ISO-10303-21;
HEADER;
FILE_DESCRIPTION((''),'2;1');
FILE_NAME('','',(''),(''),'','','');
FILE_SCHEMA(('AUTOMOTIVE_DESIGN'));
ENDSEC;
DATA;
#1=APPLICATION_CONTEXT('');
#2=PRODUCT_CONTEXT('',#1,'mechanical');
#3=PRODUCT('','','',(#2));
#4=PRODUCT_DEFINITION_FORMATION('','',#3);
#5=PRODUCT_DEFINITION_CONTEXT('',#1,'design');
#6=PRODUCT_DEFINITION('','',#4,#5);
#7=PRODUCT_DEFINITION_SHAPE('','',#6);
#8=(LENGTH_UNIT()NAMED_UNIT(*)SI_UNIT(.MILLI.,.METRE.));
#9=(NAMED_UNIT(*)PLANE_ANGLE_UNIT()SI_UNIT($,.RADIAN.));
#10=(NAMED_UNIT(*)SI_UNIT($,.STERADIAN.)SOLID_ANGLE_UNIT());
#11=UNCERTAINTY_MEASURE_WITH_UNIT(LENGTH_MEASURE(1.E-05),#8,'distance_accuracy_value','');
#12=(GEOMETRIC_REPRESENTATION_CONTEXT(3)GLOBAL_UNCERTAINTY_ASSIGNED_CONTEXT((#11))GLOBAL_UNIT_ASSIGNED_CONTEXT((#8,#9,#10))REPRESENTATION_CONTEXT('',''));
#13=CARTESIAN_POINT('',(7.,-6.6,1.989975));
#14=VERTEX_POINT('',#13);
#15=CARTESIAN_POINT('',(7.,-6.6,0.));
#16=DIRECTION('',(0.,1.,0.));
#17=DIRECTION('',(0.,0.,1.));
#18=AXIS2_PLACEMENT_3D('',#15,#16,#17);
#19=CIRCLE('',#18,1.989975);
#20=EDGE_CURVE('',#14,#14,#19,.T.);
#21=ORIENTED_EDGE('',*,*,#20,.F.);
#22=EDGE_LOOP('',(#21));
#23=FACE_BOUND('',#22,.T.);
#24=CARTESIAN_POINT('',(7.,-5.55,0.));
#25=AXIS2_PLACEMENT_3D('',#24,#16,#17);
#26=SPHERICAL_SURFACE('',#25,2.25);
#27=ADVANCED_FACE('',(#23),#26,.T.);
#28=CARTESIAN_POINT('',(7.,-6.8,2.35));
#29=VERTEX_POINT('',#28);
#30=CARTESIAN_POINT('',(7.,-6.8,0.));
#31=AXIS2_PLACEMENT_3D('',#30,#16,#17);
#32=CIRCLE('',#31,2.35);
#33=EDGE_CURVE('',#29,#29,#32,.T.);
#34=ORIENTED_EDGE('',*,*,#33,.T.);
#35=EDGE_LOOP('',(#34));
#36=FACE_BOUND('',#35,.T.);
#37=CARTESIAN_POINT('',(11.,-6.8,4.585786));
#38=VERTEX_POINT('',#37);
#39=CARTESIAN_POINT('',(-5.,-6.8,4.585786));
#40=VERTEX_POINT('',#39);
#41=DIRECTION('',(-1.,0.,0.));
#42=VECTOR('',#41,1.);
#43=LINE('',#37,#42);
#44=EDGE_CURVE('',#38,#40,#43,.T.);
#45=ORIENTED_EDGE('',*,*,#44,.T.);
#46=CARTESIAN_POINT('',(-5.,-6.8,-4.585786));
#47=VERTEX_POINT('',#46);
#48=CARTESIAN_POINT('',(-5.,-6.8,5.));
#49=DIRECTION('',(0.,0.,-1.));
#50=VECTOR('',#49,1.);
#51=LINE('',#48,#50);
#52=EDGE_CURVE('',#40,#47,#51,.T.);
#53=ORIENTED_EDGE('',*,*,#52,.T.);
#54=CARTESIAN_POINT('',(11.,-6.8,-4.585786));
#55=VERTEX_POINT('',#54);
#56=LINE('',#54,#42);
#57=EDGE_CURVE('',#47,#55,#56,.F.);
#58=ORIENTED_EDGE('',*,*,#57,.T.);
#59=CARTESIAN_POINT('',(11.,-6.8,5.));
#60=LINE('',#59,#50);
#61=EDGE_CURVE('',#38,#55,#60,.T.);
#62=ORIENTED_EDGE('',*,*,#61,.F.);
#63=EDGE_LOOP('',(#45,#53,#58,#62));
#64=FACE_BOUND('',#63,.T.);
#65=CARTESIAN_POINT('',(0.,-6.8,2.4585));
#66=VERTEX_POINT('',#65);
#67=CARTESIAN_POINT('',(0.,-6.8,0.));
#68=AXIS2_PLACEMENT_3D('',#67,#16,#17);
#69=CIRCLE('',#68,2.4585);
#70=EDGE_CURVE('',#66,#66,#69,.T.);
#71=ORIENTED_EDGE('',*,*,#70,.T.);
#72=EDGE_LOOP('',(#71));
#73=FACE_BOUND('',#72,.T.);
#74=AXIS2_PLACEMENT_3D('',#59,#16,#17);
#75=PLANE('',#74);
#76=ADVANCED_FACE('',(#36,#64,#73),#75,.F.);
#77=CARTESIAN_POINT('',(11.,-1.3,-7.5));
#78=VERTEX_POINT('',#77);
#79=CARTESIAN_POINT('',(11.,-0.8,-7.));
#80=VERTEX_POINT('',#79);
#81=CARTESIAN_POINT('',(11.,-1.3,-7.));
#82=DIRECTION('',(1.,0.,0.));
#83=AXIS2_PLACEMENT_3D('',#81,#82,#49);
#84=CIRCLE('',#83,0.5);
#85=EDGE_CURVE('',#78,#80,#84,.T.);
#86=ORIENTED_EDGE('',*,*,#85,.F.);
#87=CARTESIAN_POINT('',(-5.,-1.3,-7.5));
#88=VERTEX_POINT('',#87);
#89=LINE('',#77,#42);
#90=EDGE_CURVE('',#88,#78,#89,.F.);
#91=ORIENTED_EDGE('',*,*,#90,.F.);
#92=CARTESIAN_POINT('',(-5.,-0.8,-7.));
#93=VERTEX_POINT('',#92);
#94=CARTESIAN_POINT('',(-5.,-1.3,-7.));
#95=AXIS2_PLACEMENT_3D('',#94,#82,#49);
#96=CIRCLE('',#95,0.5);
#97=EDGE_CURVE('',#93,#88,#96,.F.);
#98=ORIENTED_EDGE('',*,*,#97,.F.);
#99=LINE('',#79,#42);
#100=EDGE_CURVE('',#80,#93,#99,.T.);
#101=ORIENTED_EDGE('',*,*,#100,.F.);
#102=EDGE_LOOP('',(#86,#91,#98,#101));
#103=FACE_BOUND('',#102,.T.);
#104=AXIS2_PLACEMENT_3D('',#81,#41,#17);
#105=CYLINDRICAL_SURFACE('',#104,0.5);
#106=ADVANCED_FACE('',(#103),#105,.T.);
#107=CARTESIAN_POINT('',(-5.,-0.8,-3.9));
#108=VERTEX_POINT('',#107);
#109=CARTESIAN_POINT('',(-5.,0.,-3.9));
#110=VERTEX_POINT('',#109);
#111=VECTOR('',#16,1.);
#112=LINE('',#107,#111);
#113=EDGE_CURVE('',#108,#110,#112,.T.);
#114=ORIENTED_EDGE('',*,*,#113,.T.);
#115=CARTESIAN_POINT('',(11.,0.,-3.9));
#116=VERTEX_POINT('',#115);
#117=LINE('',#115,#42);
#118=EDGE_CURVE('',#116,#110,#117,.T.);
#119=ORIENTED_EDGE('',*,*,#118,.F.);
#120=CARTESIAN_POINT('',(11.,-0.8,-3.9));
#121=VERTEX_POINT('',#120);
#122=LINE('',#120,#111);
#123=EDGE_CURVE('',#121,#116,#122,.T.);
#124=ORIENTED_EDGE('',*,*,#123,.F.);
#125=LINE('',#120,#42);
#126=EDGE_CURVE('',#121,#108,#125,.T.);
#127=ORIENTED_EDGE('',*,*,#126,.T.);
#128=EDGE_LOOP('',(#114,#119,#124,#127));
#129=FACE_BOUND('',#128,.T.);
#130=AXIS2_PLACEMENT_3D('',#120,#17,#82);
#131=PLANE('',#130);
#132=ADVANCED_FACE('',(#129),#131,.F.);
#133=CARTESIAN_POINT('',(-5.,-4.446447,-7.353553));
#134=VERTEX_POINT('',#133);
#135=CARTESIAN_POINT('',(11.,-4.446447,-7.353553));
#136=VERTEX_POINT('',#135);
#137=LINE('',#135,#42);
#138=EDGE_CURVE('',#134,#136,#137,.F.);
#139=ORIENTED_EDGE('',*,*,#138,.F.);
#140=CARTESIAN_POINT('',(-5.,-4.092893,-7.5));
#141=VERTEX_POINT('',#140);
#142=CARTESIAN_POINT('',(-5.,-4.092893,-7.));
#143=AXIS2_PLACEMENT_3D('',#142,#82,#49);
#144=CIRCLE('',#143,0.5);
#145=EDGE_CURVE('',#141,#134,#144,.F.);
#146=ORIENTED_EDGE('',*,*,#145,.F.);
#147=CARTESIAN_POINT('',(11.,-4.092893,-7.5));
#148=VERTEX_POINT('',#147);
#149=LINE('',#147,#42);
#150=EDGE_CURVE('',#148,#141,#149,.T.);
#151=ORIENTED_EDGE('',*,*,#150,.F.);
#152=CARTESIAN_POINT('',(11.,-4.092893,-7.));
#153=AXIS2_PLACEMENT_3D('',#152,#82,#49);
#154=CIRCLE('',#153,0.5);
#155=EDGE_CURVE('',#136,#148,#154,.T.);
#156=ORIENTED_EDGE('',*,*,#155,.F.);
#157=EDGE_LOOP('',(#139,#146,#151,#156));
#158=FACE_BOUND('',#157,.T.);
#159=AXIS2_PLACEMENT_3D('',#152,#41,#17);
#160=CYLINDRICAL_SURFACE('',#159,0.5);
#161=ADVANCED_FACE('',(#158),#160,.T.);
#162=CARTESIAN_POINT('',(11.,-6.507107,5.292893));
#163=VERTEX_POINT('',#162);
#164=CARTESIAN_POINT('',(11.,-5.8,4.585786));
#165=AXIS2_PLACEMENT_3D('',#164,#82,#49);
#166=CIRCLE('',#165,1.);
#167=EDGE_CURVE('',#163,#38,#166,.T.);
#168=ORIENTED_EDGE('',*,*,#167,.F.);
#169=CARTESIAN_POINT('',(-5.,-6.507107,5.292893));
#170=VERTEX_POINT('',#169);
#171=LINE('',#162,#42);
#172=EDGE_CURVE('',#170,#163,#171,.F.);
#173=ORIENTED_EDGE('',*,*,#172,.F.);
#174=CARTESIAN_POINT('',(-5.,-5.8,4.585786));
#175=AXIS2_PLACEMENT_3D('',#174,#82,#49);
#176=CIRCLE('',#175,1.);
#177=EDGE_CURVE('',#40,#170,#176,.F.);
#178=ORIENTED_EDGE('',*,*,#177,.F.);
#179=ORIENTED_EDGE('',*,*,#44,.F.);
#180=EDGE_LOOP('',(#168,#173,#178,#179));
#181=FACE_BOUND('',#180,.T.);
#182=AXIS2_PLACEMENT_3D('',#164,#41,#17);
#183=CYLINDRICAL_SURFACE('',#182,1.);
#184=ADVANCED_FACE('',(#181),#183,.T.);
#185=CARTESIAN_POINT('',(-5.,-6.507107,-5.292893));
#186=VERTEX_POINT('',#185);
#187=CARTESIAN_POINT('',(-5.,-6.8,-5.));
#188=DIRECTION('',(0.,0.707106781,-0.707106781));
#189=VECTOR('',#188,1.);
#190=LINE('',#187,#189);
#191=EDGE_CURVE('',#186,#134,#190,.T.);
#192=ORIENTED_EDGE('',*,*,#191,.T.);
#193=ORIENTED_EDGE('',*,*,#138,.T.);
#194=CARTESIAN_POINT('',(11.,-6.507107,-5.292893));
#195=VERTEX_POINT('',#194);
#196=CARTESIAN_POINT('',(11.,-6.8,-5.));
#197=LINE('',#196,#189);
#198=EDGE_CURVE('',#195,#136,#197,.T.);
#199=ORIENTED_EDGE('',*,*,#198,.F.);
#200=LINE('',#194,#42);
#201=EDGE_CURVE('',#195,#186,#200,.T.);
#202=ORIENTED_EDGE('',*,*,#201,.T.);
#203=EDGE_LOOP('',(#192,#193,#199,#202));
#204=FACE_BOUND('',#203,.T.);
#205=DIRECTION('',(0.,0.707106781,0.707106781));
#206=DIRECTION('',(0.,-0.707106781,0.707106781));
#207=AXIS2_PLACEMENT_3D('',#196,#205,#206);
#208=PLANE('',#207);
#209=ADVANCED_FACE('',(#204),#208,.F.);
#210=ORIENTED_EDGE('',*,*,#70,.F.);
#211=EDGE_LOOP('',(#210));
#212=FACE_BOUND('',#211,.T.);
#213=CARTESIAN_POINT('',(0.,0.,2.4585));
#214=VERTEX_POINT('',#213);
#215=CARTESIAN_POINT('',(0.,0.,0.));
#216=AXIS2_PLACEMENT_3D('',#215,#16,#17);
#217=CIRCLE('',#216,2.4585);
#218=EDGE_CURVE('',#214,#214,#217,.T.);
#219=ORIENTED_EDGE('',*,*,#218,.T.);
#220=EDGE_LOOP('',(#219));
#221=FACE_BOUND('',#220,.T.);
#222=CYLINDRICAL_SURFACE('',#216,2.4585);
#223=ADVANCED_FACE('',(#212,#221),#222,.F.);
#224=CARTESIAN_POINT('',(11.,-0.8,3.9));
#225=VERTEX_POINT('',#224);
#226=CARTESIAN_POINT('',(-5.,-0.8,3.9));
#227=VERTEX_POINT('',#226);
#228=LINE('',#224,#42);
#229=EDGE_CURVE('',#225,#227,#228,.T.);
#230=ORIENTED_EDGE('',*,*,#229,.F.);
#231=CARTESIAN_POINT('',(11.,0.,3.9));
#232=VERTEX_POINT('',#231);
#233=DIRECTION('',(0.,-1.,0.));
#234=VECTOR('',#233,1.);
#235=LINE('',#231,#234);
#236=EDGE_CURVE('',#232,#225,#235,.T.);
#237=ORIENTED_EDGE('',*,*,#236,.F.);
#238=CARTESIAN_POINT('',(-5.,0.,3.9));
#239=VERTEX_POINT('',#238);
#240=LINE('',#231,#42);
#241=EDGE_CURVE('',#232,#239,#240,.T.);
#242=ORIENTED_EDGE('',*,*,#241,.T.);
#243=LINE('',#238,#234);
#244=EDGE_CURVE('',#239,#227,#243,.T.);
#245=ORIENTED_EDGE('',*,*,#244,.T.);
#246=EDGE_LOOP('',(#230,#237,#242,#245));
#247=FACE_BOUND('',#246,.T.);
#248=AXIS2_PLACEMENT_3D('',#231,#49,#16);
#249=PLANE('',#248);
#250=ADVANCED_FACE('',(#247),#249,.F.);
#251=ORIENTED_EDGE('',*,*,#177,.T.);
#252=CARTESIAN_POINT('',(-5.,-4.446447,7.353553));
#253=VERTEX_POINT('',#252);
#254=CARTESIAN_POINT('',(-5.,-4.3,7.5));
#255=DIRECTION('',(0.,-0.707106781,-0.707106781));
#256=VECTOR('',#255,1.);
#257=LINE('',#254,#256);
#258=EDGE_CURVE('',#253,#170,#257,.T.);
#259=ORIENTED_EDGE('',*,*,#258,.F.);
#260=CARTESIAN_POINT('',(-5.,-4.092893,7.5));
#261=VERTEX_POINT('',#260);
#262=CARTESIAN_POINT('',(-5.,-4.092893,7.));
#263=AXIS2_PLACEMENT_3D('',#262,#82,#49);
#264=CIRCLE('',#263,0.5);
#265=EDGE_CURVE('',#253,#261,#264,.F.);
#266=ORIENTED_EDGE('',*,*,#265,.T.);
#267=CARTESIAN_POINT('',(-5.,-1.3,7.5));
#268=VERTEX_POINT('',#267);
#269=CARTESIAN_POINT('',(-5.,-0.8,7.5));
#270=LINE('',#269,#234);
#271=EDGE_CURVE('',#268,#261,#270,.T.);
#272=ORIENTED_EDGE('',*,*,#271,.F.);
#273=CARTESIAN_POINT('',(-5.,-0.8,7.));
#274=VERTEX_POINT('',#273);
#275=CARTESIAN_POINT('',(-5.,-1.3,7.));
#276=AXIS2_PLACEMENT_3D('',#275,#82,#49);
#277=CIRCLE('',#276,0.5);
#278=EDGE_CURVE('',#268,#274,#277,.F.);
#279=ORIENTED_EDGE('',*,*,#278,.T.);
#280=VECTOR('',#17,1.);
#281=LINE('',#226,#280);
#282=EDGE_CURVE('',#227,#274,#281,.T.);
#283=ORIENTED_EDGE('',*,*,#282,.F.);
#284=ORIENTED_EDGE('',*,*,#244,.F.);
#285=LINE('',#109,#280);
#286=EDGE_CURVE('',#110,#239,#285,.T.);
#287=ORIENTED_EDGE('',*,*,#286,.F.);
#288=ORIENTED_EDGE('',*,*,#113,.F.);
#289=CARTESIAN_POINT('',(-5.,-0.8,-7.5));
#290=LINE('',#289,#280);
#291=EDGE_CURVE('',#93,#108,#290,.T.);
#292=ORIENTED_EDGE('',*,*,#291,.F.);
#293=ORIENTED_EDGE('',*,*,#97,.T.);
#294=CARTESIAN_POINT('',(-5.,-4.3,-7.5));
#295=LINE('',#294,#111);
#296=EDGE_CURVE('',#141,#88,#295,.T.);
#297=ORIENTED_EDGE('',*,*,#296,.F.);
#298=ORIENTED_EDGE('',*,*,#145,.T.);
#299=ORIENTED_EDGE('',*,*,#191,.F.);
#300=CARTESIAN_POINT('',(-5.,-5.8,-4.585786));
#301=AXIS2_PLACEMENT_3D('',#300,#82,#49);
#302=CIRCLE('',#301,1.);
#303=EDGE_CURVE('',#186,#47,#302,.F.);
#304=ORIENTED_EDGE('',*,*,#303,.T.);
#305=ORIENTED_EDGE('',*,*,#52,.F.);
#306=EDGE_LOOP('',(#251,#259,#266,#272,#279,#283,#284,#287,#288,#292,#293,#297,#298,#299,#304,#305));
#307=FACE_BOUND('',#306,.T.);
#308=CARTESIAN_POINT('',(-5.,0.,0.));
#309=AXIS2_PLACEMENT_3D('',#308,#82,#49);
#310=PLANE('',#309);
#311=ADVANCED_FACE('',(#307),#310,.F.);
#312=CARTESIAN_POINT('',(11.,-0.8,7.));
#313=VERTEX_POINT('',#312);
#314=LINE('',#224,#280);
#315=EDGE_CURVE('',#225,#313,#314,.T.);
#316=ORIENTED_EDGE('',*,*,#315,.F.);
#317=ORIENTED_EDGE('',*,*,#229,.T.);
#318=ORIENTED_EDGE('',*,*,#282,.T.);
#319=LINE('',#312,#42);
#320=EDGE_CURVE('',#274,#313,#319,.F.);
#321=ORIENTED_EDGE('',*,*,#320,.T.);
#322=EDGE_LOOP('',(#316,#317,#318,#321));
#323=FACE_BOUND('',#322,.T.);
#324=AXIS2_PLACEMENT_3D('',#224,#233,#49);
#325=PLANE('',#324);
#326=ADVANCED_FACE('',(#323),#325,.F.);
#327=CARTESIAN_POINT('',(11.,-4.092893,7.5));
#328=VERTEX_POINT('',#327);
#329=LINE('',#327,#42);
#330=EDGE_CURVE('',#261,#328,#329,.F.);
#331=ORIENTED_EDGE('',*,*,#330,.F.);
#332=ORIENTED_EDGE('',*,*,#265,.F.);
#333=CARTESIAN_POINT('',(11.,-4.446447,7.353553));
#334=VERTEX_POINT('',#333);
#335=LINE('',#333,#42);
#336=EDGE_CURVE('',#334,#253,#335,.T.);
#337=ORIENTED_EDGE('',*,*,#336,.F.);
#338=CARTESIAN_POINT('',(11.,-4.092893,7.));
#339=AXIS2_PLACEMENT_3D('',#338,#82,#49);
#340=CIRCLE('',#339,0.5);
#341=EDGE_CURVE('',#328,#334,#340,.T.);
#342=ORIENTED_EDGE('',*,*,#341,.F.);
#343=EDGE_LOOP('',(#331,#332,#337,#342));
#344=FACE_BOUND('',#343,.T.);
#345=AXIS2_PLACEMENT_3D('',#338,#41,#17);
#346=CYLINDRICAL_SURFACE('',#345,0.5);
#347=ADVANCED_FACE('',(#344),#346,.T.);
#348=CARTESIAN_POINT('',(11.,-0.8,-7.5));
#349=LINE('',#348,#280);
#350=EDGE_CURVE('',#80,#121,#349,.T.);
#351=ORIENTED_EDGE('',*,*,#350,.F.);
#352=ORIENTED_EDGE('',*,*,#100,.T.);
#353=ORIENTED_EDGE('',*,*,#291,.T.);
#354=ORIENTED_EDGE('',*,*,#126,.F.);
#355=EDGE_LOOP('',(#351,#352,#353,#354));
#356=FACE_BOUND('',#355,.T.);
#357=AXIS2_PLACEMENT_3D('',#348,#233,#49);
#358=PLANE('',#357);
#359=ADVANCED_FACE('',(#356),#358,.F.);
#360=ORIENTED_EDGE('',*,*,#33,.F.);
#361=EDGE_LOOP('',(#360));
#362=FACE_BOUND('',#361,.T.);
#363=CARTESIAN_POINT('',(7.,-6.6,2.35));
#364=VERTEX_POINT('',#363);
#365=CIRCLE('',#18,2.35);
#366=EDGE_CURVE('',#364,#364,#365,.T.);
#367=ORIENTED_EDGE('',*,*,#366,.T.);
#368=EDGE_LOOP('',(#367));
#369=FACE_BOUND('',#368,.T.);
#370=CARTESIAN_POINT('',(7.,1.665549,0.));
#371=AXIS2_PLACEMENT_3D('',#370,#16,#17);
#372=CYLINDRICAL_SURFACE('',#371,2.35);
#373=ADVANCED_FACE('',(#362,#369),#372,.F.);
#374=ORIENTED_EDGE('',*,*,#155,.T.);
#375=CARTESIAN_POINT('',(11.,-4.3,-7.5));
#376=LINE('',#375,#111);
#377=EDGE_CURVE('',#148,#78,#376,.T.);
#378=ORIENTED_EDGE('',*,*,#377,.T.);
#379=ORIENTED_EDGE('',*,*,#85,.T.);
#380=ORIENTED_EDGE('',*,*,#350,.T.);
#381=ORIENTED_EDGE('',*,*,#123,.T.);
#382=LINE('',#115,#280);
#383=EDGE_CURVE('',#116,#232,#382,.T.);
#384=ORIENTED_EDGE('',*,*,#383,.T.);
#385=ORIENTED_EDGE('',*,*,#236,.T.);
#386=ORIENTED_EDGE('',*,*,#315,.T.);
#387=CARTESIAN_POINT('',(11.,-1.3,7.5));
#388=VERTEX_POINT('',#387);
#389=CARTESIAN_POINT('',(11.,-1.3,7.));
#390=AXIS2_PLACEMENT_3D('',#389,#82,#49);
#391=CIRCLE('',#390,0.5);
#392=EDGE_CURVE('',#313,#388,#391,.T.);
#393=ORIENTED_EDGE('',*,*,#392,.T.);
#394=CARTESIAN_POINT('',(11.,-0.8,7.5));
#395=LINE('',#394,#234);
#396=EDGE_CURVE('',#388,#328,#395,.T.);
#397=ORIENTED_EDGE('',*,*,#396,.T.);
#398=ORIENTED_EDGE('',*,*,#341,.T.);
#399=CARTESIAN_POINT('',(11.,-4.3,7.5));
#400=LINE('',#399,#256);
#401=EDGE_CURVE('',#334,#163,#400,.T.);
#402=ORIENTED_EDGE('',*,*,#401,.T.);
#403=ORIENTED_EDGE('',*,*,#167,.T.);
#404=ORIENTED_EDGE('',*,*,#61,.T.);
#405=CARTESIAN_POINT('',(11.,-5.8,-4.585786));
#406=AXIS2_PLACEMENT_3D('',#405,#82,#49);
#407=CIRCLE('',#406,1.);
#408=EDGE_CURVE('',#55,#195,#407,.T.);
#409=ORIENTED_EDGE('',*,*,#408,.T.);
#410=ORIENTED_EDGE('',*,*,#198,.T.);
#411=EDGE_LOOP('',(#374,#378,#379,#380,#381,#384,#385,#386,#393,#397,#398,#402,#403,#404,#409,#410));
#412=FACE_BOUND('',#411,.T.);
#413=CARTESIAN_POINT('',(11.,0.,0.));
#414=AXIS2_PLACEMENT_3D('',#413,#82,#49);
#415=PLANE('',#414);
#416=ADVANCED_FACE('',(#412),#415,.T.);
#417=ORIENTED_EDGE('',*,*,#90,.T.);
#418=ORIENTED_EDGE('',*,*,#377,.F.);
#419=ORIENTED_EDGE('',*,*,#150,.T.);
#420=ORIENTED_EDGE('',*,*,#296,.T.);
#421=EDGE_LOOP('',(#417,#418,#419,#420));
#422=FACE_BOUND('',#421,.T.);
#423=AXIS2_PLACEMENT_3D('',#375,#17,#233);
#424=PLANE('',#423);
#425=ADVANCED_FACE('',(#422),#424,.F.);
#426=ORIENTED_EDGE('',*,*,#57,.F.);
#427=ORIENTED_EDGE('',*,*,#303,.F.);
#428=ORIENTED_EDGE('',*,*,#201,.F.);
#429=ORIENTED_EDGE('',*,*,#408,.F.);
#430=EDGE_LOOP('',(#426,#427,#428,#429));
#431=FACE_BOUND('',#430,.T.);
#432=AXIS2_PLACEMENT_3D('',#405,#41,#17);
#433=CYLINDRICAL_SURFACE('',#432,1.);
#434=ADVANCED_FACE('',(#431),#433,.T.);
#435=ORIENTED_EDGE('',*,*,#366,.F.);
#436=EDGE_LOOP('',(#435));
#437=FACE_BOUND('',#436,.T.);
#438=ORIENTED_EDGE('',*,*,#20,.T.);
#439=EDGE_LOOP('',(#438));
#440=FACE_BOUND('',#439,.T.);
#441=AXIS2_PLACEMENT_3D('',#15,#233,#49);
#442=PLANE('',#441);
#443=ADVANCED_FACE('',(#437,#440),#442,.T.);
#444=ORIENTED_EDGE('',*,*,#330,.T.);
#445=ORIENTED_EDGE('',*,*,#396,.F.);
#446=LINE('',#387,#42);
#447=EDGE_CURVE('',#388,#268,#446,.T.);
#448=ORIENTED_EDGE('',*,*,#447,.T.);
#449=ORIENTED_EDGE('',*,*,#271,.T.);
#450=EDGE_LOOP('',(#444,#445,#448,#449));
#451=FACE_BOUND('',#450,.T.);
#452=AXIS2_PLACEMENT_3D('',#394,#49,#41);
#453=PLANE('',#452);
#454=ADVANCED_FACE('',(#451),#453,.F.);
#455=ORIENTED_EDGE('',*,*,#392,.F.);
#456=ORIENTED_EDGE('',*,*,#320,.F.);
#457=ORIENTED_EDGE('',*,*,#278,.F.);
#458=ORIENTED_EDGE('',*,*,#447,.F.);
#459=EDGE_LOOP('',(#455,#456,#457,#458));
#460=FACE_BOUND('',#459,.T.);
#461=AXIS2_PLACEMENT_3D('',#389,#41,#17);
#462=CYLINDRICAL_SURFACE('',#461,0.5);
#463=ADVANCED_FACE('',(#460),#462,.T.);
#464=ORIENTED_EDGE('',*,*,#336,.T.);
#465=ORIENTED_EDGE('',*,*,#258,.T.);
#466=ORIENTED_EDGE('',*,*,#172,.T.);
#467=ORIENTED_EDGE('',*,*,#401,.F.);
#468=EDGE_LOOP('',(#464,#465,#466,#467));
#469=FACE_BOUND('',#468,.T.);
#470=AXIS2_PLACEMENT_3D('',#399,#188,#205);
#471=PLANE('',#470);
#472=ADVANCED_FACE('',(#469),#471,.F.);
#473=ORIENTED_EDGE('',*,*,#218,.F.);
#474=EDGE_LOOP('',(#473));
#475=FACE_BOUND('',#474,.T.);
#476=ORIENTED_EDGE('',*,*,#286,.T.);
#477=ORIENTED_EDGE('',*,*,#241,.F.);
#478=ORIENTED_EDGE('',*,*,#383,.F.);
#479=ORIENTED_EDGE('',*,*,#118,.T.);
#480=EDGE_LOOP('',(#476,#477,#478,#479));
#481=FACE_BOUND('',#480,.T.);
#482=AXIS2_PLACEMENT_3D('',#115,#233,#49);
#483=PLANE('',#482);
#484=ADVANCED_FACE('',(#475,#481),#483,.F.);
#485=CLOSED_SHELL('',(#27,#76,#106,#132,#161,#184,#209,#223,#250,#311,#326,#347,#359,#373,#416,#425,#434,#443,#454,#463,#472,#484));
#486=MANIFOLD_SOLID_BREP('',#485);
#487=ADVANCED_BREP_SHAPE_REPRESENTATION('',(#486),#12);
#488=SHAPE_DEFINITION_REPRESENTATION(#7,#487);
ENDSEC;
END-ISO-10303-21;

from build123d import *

# Parameters (mm, degrees)
BOSS_EXTRUDE1_DEPTH = 16
FILLET1_R           = 1
FILLET2_R           = 0.5
SKETCH2_W           = 2.35
SKETCH2_H           = 0.2
TAPPED_HOLE1_D      = 4.917


with BuildPart() as part:
    # Sketch1 → Boss-Extrude1 (new body)
    with BuildSketch(Plane(origin=(-5, 0, 0), x_dir=(0, 0, -1), z_dir=(1, 0, 0))):
        Polygon((3.9, 0), (-3.9, 0), (-3.9, -0.8), (-7.5, -0.8), (-7.5, -4.3), (-5, -6.8), (5, -6.8), (7.5, -4.3), (7.5, -0.8), (3.9, -0.8), align=None)
    extrude(amount=BOSS_EXTRUDE1_DEPTH)

    # Fillet1
    fillet1_edges = [part.edges().sort_by_distance(p)[0] for p in [
        (3, -6.8, -5),
        (3, -6.8, 5),
    ]]
    fillet(fillet1_edges, radius=FILLET1_R)

    # Fillet2
    fillet2_edges = [part.edges().sort_by_distance(p)[0] for p in [
        (3, -0.8, 7.5),
        (3, -0.8, -7.5),
        (3, -4.3, -7.5),
        (3, -4.3, 7.5),
    ]]
    fillet(fillet2_edges, radius=FILLET2_R)

    # Sketch2 → Cut-Revolve1 (revolve, cut)
    with BuildSketch(Plane(origin=(7, 0, 0), x_dir=(0, 0, -1), z_dir=(1, 0, 0)), mode=Mode.PRIVATE) as cut_revolve1_sk:
        with Locations((1.175, -6.7)):
            Rectangle(SKETCH2_W, SKETCH2_H)
    revolve(cut_revolve1_sk.sketch.rotate(Axis((7, 1.665548573, 0), (0, -1, 0)), 180), axis=Axis((7, 1.665548573, 0), (0, -1, 0)), mode=Mode.SUBTRACT)

    # Sketch3 → Revolve1 (revolve)
    with BuildSketch(Plane(origin=(7, 0, 0), x_dir=(0, 0, -1), z_dir=(1, 0, 0)), mode=Mode.PRIVATE) as revolve1_sk:
        with BuildLine():
            Line((1.989974874, -6.6), (0, -6.6))
            Line((0, -6.6), (0, -7.8))
            ThreePointArc((0, -7.8), (1.161895004, -7.476784887), (1.989974874, -6.6))
        make_face()
    revolve(revolve1_sk.sketch.rotate(Axis((7, 0, 0), (0, -1, 0)), 180), axis=Axis((7, 0, 0), (0, -1, 0)))

    # Tapped Hole1 (through all)
    with Locations(Plane(origin=(0, 0, 0), x_dir=(1, 0, 0), z_dir=(0, 1, 0))):
        with Locations((0, 0)):
            Hole(TAPPED_HOLE1_D / 2)


solid = part.part
